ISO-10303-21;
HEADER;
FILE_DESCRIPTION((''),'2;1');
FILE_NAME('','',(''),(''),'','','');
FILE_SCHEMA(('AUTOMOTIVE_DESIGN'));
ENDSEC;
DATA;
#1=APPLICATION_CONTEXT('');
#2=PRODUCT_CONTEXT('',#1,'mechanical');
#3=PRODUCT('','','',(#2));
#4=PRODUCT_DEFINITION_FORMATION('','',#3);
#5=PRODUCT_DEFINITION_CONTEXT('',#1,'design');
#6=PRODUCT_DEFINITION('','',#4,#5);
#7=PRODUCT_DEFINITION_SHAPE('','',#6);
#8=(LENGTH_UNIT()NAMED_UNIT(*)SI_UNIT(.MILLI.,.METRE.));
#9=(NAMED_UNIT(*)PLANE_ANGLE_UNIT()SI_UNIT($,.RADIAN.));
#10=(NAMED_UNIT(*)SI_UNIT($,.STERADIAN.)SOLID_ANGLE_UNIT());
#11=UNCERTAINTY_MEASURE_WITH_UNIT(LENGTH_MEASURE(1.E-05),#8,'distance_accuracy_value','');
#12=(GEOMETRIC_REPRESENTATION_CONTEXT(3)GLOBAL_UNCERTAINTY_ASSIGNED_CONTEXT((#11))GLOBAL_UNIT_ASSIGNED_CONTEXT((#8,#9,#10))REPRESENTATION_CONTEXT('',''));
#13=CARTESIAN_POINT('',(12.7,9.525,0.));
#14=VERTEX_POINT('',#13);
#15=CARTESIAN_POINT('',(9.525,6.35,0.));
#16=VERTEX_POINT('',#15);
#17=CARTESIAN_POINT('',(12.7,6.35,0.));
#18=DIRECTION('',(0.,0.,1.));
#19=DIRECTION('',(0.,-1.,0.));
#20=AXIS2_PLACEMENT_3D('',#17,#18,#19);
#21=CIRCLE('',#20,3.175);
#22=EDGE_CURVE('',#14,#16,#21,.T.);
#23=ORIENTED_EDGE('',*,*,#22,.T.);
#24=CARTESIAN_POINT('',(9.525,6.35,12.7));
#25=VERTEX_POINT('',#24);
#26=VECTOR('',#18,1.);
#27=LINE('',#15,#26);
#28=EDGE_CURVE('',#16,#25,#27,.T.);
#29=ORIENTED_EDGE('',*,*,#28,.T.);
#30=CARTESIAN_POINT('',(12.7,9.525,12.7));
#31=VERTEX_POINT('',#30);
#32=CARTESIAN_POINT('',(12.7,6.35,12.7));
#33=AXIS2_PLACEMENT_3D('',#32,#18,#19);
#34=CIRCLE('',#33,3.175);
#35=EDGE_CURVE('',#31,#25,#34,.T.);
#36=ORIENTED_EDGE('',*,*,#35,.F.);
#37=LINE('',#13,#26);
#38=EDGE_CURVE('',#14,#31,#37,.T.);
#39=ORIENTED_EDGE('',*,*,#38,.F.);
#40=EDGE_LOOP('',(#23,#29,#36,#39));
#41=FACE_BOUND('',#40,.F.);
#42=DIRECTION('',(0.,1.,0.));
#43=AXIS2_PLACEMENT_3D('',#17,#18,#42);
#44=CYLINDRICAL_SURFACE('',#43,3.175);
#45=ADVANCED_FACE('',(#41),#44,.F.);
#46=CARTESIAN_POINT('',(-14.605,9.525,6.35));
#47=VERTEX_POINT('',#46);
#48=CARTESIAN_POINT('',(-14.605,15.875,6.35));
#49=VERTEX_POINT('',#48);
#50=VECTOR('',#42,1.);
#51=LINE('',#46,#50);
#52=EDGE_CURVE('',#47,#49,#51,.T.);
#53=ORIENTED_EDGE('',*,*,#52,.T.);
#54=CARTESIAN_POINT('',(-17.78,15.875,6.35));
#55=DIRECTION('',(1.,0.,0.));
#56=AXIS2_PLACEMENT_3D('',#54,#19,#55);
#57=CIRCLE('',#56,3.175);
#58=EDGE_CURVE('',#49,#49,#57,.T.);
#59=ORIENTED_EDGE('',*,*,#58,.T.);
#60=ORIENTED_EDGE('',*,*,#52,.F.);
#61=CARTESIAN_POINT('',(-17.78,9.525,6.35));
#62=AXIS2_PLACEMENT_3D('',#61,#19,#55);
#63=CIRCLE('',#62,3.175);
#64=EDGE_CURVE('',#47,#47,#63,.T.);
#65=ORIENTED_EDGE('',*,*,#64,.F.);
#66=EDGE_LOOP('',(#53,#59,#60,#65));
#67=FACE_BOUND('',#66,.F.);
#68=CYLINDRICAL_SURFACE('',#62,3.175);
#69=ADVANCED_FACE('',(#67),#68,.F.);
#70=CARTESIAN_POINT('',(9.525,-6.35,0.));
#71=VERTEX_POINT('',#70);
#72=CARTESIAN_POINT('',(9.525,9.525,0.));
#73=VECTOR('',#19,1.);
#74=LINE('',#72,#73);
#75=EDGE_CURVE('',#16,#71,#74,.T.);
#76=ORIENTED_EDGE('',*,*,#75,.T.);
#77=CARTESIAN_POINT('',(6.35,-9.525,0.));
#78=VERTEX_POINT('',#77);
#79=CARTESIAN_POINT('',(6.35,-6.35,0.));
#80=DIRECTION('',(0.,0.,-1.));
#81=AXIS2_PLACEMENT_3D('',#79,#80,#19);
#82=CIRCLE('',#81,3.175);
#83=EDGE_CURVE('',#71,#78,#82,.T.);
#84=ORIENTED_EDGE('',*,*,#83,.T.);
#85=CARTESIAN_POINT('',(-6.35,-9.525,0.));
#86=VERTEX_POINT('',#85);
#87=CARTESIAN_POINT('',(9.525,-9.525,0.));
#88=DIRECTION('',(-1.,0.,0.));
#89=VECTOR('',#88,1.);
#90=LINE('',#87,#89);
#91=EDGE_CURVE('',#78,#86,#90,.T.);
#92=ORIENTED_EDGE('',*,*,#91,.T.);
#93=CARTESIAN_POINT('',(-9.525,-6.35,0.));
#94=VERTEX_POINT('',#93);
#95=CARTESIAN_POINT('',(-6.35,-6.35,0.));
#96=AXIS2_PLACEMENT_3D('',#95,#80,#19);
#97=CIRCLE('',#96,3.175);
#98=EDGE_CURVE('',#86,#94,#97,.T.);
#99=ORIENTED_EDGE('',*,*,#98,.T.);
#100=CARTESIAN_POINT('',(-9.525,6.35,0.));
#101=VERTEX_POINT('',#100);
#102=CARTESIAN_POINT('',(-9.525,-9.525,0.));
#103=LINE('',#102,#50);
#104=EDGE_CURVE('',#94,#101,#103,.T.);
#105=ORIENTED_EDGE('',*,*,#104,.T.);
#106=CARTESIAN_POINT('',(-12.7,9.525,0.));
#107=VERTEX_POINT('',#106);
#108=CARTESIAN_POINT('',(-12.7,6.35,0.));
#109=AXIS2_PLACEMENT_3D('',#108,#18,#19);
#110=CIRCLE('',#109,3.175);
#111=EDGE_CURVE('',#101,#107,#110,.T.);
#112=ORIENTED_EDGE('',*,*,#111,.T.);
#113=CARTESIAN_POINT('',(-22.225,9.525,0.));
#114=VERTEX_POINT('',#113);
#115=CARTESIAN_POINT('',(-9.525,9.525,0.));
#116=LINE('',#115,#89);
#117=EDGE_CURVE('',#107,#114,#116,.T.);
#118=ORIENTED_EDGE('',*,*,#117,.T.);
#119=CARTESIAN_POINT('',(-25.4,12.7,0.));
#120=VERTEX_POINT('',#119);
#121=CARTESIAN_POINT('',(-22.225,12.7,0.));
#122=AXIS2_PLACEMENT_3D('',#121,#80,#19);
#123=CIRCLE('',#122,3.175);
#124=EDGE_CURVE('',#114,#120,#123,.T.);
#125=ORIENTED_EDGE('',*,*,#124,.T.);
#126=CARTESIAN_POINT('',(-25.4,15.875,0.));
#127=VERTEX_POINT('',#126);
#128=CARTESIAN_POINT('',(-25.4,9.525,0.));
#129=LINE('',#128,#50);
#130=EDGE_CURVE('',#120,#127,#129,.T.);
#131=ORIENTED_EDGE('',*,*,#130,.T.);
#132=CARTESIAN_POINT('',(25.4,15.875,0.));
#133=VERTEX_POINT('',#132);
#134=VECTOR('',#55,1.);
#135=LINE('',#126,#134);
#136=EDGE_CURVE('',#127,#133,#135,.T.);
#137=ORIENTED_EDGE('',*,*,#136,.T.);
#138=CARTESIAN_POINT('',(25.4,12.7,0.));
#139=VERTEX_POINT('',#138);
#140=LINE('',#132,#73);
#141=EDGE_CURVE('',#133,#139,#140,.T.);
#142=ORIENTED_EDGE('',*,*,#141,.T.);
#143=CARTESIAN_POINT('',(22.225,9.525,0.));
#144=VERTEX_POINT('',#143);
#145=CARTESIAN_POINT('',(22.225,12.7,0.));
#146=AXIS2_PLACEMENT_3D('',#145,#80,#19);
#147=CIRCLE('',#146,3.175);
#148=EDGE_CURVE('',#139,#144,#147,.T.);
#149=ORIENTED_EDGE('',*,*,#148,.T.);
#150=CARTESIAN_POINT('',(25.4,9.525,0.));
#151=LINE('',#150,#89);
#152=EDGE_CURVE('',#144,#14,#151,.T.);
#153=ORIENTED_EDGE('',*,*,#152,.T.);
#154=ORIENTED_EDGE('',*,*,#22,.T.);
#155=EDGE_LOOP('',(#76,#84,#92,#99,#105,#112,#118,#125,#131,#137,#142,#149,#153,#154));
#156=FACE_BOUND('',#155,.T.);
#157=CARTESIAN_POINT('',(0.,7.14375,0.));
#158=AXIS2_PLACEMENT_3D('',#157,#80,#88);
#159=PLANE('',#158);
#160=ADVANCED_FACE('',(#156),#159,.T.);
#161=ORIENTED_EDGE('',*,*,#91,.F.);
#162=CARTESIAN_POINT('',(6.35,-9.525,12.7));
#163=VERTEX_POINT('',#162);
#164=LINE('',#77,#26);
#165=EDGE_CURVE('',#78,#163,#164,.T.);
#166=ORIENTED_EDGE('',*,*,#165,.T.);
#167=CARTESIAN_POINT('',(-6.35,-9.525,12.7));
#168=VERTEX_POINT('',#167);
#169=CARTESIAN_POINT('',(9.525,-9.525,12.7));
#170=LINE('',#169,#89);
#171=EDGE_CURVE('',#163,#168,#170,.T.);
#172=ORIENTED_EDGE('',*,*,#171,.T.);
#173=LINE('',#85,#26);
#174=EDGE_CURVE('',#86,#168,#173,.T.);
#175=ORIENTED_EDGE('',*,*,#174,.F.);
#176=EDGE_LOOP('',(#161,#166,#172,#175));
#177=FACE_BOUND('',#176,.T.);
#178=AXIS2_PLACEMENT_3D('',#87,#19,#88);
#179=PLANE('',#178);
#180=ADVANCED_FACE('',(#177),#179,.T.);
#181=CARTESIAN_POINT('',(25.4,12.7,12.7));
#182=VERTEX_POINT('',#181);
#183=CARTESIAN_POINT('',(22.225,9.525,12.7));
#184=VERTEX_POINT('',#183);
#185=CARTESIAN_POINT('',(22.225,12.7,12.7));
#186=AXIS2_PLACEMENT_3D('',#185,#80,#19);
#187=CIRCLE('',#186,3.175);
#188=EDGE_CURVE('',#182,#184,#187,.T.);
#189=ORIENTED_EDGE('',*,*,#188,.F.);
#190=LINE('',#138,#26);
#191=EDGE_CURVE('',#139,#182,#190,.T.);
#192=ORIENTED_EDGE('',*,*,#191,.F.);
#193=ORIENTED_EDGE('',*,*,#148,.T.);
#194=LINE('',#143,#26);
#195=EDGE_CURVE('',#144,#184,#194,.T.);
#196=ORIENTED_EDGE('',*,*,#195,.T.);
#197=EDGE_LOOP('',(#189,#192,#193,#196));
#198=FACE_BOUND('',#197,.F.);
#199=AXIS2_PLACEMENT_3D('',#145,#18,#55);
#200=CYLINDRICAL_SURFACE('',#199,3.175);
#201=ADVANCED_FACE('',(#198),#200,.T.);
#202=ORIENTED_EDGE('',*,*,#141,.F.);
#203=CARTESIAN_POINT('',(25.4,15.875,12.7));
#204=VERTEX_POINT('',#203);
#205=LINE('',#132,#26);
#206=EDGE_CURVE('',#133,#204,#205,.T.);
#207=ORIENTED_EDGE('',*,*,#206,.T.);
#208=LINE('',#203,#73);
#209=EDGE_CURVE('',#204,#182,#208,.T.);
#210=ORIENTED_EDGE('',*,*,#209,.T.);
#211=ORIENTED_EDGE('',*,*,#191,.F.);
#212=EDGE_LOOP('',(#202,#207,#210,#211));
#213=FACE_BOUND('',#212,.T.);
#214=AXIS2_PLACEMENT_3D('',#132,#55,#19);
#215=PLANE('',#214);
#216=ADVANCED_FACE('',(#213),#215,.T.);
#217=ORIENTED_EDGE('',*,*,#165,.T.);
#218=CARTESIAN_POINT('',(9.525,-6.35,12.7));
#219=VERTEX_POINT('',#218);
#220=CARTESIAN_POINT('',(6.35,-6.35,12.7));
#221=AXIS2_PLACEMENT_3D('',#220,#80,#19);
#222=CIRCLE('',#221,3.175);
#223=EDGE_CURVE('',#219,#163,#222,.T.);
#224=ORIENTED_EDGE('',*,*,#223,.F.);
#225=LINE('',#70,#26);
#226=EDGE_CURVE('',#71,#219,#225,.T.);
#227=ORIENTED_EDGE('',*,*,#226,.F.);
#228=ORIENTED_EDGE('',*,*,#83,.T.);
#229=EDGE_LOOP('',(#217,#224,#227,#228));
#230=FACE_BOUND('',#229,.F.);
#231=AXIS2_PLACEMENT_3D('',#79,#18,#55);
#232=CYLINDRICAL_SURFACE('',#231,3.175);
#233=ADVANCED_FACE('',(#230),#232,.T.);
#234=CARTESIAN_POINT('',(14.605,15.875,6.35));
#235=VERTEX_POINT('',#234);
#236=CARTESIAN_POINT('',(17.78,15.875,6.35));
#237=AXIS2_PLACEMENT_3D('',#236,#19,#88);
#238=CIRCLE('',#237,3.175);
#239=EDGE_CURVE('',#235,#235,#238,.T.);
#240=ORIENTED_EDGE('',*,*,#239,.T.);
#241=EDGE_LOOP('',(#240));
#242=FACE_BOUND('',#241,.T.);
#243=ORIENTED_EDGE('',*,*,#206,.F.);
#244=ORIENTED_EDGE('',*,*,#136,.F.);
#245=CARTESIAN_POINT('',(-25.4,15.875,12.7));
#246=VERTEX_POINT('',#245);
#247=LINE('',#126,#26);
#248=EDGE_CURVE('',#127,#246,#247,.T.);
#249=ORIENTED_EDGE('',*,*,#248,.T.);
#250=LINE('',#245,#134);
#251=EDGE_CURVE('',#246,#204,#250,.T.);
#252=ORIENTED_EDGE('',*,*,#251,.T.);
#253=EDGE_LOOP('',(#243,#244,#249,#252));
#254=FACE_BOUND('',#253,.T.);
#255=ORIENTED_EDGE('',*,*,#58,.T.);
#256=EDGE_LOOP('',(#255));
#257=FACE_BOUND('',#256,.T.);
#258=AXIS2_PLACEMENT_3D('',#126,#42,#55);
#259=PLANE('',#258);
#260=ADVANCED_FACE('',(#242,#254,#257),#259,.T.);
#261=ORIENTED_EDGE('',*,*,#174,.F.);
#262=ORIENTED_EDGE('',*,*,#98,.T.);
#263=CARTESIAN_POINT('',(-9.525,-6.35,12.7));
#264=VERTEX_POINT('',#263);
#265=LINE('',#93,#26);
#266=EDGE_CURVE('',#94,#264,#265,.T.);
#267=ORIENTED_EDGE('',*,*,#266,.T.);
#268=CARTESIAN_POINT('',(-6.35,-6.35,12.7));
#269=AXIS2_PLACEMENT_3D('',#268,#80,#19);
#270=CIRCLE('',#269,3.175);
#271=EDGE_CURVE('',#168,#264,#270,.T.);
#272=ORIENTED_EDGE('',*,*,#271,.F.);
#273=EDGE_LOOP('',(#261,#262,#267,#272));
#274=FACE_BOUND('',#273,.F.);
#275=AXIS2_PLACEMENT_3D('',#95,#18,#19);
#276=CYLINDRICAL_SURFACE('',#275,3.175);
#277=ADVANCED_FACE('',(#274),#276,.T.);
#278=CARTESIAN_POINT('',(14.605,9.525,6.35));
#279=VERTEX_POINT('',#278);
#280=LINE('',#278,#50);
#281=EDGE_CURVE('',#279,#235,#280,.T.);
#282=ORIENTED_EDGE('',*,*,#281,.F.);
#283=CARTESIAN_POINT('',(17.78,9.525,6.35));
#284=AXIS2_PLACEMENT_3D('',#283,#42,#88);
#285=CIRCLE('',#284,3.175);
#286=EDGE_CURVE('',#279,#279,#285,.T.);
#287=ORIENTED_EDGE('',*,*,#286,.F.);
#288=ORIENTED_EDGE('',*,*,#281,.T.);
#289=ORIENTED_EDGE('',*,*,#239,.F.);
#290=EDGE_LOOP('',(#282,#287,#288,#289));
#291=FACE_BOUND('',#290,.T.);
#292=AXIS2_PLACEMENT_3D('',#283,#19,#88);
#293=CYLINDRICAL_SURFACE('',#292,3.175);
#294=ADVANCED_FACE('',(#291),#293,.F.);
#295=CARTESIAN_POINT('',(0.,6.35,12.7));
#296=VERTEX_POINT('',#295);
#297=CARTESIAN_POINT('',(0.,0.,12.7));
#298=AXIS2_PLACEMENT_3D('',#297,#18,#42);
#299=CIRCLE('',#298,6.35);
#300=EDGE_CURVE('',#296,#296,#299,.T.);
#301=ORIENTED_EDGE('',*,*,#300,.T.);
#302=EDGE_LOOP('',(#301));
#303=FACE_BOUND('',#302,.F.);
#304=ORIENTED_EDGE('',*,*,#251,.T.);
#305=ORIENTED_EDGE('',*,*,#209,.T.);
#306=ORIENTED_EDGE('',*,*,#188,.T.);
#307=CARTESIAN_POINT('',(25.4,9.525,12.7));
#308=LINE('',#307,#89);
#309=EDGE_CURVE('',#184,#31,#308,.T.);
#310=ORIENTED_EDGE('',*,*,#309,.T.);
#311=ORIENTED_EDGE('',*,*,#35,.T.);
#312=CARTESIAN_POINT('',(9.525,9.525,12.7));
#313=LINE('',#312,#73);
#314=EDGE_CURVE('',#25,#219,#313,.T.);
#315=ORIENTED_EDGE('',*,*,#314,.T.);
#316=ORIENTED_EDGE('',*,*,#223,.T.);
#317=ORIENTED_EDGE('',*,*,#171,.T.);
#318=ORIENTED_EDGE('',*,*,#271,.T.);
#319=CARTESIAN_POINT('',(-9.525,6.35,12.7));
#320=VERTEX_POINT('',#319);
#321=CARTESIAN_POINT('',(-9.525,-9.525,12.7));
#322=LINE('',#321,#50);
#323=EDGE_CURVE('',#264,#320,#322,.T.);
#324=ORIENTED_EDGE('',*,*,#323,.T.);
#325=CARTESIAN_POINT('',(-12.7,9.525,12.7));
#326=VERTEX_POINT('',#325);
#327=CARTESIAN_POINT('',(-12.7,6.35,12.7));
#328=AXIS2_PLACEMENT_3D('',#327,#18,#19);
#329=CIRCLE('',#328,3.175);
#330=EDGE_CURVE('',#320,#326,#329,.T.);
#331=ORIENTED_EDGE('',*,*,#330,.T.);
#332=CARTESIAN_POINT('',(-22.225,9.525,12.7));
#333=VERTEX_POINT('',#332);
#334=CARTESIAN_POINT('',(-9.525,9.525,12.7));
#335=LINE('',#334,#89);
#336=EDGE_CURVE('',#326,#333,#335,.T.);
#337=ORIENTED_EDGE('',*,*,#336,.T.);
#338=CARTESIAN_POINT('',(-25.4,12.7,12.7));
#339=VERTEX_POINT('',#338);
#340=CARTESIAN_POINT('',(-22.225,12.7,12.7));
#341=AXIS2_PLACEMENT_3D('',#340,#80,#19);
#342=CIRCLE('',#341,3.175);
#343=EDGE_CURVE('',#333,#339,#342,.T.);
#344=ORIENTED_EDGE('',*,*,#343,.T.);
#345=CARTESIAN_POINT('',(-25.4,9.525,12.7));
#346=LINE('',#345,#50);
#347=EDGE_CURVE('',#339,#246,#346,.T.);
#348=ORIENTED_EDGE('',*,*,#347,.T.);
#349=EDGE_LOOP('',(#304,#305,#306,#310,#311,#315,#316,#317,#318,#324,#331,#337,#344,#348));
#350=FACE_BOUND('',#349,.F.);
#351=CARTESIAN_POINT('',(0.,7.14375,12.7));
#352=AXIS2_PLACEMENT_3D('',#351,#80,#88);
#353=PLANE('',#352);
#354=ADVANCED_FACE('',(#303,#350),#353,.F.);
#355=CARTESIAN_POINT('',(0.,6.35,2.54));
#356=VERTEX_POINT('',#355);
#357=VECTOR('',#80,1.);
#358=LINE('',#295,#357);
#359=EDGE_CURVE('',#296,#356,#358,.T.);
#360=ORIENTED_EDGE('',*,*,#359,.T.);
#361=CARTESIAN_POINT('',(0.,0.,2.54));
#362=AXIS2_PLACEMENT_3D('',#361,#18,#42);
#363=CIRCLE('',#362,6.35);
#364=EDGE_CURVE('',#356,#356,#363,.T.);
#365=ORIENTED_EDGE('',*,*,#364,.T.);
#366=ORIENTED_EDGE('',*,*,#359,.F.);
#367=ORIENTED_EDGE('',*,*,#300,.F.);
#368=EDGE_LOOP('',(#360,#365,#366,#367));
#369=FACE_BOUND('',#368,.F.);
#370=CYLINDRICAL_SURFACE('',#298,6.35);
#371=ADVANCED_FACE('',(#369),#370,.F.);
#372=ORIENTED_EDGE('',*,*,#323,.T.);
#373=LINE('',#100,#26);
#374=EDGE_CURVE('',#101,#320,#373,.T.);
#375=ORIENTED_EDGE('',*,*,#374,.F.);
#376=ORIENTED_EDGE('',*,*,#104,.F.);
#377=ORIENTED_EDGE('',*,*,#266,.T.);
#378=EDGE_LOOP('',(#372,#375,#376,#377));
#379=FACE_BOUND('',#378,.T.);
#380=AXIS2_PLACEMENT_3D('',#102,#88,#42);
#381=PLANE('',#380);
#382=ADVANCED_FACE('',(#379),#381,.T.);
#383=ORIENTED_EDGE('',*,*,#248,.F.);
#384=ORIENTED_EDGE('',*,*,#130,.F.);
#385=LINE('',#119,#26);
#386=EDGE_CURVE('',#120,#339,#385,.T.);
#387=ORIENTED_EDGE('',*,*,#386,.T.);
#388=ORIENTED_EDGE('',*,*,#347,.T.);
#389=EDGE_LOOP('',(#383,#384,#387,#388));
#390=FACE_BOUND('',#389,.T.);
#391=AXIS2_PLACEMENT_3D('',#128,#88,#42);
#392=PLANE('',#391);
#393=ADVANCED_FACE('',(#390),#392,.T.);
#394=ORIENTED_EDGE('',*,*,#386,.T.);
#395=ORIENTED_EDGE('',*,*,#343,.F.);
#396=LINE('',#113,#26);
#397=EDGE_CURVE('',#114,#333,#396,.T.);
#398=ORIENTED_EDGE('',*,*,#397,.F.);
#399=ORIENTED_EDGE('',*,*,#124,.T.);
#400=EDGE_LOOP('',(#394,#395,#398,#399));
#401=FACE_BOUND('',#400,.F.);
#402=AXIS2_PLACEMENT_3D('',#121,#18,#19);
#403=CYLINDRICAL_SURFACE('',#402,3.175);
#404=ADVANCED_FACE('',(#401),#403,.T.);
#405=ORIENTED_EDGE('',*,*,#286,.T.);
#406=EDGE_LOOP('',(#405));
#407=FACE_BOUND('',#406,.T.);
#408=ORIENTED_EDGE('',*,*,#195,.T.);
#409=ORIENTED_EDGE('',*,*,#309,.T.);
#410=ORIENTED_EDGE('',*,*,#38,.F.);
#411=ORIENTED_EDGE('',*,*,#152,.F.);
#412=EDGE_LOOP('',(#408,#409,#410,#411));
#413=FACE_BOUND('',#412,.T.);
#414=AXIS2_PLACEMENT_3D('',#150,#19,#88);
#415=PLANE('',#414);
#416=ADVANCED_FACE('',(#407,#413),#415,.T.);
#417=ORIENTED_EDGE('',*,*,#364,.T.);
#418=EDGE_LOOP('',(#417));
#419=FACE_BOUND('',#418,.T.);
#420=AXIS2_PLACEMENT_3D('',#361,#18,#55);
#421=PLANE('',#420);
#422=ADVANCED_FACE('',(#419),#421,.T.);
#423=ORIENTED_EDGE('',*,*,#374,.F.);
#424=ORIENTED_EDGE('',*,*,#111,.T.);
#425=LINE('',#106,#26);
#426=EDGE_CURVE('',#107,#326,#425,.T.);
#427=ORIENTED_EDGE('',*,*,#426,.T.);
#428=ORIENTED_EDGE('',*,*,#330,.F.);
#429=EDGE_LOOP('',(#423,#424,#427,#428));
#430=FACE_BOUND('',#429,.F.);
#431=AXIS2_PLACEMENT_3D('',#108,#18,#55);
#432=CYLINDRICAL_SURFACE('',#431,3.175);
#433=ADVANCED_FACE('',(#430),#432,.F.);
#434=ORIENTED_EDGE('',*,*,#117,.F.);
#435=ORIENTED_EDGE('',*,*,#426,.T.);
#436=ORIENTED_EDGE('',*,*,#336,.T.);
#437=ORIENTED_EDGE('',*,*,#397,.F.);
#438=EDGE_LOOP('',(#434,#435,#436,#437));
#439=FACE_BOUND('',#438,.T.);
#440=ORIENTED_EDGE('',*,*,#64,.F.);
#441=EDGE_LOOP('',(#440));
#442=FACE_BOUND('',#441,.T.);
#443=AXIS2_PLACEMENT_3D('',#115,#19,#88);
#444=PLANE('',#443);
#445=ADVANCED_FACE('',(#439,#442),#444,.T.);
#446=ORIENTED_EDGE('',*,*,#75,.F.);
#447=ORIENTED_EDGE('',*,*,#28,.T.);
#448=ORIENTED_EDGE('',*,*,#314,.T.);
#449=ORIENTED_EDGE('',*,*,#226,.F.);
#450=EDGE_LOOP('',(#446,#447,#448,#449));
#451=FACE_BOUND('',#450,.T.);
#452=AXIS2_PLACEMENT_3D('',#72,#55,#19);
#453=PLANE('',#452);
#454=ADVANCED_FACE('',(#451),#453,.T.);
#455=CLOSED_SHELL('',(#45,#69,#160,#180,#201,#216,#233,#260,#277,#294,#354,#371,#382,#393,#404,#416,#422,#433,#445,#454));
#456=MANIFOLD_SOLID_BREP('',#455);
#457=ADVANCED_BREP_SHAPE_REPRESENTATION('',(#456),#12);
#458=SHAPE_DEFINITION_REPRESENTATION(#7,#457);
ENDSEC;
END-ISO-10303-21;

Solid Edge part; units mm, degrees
sketch "Sketch1" plane through (0, 0, 0) normal (0, 0, 1) x (1, 0, 0)
  line L0 (-25.4, 15.875) -> (25.4, 15.875)
  line L1 (25.4, 15.875) -> (25.4, 9.525)
  line L2 (25.4, 9.525) -> (9.525, 9.525)
  line L3 (9.525, 9.525) -> (9.525, -9.525)
  line L4 (9.525, -9.525) -> (-9.525, -9.525)
  line L5 (-9.525, -9.525) -> (-9.525, 9.525)
  line L6 (-9.525, 9.525) -> (-25.4, 9.525)
  line L7 (-25.4, 9.525) -> (-25.4, 15.875)
  dimension "D1" = 6.35
  dimension "D2" = 19.05
  dimension "D3" = 6.35
  dimension "D4" = 50.8
  dimension "D5" = 15.875
  dimension "D6" = 15.875
  dimension "D7" = 19.05
  dimension "D8" = 19.05
extrude "Protrusion1" add sketch "Sketch1" along normal blind 12.7
fillet "Round_1" radius 3.175 6 edges at (9.525, 9.525, 6.35) (9.525, -9.525, 6.35) (-9.525, -9.525, 6.35) (25.4, 9.525, 6.35) (-9.525, 9.525, 6.35) (-25.4, 9.525, 6.35)
sketch "Sketch2" plane through (0, 3.175, 12.7) normal (0, 0, 1) x (0, 1, 0)
  circle A0 centre (-3.175, 0) radius 6.35
extrude "PivotHole" cut sketch "Sketch2" against normal blind 10.16
sketch "Sketch3" plane through (-17.4625, 9.525, 6.35) normal (0, -1, 0) x (1, 0, 0)
  circle A0 centre (-0.3175, 0) radius 3.175
  dimension "D1" = 4.445
  dimension "D2" = 6.35
  dimension "D3" = 7.62
extrude "v_1" cut sketch "Sketch3" against normal blind 25.4
mirror "Mirror1" about plane through (0, 0, 0) normal (1, 0, 0) of "v_1"
properties material "Aluminum, 6061-T6"
